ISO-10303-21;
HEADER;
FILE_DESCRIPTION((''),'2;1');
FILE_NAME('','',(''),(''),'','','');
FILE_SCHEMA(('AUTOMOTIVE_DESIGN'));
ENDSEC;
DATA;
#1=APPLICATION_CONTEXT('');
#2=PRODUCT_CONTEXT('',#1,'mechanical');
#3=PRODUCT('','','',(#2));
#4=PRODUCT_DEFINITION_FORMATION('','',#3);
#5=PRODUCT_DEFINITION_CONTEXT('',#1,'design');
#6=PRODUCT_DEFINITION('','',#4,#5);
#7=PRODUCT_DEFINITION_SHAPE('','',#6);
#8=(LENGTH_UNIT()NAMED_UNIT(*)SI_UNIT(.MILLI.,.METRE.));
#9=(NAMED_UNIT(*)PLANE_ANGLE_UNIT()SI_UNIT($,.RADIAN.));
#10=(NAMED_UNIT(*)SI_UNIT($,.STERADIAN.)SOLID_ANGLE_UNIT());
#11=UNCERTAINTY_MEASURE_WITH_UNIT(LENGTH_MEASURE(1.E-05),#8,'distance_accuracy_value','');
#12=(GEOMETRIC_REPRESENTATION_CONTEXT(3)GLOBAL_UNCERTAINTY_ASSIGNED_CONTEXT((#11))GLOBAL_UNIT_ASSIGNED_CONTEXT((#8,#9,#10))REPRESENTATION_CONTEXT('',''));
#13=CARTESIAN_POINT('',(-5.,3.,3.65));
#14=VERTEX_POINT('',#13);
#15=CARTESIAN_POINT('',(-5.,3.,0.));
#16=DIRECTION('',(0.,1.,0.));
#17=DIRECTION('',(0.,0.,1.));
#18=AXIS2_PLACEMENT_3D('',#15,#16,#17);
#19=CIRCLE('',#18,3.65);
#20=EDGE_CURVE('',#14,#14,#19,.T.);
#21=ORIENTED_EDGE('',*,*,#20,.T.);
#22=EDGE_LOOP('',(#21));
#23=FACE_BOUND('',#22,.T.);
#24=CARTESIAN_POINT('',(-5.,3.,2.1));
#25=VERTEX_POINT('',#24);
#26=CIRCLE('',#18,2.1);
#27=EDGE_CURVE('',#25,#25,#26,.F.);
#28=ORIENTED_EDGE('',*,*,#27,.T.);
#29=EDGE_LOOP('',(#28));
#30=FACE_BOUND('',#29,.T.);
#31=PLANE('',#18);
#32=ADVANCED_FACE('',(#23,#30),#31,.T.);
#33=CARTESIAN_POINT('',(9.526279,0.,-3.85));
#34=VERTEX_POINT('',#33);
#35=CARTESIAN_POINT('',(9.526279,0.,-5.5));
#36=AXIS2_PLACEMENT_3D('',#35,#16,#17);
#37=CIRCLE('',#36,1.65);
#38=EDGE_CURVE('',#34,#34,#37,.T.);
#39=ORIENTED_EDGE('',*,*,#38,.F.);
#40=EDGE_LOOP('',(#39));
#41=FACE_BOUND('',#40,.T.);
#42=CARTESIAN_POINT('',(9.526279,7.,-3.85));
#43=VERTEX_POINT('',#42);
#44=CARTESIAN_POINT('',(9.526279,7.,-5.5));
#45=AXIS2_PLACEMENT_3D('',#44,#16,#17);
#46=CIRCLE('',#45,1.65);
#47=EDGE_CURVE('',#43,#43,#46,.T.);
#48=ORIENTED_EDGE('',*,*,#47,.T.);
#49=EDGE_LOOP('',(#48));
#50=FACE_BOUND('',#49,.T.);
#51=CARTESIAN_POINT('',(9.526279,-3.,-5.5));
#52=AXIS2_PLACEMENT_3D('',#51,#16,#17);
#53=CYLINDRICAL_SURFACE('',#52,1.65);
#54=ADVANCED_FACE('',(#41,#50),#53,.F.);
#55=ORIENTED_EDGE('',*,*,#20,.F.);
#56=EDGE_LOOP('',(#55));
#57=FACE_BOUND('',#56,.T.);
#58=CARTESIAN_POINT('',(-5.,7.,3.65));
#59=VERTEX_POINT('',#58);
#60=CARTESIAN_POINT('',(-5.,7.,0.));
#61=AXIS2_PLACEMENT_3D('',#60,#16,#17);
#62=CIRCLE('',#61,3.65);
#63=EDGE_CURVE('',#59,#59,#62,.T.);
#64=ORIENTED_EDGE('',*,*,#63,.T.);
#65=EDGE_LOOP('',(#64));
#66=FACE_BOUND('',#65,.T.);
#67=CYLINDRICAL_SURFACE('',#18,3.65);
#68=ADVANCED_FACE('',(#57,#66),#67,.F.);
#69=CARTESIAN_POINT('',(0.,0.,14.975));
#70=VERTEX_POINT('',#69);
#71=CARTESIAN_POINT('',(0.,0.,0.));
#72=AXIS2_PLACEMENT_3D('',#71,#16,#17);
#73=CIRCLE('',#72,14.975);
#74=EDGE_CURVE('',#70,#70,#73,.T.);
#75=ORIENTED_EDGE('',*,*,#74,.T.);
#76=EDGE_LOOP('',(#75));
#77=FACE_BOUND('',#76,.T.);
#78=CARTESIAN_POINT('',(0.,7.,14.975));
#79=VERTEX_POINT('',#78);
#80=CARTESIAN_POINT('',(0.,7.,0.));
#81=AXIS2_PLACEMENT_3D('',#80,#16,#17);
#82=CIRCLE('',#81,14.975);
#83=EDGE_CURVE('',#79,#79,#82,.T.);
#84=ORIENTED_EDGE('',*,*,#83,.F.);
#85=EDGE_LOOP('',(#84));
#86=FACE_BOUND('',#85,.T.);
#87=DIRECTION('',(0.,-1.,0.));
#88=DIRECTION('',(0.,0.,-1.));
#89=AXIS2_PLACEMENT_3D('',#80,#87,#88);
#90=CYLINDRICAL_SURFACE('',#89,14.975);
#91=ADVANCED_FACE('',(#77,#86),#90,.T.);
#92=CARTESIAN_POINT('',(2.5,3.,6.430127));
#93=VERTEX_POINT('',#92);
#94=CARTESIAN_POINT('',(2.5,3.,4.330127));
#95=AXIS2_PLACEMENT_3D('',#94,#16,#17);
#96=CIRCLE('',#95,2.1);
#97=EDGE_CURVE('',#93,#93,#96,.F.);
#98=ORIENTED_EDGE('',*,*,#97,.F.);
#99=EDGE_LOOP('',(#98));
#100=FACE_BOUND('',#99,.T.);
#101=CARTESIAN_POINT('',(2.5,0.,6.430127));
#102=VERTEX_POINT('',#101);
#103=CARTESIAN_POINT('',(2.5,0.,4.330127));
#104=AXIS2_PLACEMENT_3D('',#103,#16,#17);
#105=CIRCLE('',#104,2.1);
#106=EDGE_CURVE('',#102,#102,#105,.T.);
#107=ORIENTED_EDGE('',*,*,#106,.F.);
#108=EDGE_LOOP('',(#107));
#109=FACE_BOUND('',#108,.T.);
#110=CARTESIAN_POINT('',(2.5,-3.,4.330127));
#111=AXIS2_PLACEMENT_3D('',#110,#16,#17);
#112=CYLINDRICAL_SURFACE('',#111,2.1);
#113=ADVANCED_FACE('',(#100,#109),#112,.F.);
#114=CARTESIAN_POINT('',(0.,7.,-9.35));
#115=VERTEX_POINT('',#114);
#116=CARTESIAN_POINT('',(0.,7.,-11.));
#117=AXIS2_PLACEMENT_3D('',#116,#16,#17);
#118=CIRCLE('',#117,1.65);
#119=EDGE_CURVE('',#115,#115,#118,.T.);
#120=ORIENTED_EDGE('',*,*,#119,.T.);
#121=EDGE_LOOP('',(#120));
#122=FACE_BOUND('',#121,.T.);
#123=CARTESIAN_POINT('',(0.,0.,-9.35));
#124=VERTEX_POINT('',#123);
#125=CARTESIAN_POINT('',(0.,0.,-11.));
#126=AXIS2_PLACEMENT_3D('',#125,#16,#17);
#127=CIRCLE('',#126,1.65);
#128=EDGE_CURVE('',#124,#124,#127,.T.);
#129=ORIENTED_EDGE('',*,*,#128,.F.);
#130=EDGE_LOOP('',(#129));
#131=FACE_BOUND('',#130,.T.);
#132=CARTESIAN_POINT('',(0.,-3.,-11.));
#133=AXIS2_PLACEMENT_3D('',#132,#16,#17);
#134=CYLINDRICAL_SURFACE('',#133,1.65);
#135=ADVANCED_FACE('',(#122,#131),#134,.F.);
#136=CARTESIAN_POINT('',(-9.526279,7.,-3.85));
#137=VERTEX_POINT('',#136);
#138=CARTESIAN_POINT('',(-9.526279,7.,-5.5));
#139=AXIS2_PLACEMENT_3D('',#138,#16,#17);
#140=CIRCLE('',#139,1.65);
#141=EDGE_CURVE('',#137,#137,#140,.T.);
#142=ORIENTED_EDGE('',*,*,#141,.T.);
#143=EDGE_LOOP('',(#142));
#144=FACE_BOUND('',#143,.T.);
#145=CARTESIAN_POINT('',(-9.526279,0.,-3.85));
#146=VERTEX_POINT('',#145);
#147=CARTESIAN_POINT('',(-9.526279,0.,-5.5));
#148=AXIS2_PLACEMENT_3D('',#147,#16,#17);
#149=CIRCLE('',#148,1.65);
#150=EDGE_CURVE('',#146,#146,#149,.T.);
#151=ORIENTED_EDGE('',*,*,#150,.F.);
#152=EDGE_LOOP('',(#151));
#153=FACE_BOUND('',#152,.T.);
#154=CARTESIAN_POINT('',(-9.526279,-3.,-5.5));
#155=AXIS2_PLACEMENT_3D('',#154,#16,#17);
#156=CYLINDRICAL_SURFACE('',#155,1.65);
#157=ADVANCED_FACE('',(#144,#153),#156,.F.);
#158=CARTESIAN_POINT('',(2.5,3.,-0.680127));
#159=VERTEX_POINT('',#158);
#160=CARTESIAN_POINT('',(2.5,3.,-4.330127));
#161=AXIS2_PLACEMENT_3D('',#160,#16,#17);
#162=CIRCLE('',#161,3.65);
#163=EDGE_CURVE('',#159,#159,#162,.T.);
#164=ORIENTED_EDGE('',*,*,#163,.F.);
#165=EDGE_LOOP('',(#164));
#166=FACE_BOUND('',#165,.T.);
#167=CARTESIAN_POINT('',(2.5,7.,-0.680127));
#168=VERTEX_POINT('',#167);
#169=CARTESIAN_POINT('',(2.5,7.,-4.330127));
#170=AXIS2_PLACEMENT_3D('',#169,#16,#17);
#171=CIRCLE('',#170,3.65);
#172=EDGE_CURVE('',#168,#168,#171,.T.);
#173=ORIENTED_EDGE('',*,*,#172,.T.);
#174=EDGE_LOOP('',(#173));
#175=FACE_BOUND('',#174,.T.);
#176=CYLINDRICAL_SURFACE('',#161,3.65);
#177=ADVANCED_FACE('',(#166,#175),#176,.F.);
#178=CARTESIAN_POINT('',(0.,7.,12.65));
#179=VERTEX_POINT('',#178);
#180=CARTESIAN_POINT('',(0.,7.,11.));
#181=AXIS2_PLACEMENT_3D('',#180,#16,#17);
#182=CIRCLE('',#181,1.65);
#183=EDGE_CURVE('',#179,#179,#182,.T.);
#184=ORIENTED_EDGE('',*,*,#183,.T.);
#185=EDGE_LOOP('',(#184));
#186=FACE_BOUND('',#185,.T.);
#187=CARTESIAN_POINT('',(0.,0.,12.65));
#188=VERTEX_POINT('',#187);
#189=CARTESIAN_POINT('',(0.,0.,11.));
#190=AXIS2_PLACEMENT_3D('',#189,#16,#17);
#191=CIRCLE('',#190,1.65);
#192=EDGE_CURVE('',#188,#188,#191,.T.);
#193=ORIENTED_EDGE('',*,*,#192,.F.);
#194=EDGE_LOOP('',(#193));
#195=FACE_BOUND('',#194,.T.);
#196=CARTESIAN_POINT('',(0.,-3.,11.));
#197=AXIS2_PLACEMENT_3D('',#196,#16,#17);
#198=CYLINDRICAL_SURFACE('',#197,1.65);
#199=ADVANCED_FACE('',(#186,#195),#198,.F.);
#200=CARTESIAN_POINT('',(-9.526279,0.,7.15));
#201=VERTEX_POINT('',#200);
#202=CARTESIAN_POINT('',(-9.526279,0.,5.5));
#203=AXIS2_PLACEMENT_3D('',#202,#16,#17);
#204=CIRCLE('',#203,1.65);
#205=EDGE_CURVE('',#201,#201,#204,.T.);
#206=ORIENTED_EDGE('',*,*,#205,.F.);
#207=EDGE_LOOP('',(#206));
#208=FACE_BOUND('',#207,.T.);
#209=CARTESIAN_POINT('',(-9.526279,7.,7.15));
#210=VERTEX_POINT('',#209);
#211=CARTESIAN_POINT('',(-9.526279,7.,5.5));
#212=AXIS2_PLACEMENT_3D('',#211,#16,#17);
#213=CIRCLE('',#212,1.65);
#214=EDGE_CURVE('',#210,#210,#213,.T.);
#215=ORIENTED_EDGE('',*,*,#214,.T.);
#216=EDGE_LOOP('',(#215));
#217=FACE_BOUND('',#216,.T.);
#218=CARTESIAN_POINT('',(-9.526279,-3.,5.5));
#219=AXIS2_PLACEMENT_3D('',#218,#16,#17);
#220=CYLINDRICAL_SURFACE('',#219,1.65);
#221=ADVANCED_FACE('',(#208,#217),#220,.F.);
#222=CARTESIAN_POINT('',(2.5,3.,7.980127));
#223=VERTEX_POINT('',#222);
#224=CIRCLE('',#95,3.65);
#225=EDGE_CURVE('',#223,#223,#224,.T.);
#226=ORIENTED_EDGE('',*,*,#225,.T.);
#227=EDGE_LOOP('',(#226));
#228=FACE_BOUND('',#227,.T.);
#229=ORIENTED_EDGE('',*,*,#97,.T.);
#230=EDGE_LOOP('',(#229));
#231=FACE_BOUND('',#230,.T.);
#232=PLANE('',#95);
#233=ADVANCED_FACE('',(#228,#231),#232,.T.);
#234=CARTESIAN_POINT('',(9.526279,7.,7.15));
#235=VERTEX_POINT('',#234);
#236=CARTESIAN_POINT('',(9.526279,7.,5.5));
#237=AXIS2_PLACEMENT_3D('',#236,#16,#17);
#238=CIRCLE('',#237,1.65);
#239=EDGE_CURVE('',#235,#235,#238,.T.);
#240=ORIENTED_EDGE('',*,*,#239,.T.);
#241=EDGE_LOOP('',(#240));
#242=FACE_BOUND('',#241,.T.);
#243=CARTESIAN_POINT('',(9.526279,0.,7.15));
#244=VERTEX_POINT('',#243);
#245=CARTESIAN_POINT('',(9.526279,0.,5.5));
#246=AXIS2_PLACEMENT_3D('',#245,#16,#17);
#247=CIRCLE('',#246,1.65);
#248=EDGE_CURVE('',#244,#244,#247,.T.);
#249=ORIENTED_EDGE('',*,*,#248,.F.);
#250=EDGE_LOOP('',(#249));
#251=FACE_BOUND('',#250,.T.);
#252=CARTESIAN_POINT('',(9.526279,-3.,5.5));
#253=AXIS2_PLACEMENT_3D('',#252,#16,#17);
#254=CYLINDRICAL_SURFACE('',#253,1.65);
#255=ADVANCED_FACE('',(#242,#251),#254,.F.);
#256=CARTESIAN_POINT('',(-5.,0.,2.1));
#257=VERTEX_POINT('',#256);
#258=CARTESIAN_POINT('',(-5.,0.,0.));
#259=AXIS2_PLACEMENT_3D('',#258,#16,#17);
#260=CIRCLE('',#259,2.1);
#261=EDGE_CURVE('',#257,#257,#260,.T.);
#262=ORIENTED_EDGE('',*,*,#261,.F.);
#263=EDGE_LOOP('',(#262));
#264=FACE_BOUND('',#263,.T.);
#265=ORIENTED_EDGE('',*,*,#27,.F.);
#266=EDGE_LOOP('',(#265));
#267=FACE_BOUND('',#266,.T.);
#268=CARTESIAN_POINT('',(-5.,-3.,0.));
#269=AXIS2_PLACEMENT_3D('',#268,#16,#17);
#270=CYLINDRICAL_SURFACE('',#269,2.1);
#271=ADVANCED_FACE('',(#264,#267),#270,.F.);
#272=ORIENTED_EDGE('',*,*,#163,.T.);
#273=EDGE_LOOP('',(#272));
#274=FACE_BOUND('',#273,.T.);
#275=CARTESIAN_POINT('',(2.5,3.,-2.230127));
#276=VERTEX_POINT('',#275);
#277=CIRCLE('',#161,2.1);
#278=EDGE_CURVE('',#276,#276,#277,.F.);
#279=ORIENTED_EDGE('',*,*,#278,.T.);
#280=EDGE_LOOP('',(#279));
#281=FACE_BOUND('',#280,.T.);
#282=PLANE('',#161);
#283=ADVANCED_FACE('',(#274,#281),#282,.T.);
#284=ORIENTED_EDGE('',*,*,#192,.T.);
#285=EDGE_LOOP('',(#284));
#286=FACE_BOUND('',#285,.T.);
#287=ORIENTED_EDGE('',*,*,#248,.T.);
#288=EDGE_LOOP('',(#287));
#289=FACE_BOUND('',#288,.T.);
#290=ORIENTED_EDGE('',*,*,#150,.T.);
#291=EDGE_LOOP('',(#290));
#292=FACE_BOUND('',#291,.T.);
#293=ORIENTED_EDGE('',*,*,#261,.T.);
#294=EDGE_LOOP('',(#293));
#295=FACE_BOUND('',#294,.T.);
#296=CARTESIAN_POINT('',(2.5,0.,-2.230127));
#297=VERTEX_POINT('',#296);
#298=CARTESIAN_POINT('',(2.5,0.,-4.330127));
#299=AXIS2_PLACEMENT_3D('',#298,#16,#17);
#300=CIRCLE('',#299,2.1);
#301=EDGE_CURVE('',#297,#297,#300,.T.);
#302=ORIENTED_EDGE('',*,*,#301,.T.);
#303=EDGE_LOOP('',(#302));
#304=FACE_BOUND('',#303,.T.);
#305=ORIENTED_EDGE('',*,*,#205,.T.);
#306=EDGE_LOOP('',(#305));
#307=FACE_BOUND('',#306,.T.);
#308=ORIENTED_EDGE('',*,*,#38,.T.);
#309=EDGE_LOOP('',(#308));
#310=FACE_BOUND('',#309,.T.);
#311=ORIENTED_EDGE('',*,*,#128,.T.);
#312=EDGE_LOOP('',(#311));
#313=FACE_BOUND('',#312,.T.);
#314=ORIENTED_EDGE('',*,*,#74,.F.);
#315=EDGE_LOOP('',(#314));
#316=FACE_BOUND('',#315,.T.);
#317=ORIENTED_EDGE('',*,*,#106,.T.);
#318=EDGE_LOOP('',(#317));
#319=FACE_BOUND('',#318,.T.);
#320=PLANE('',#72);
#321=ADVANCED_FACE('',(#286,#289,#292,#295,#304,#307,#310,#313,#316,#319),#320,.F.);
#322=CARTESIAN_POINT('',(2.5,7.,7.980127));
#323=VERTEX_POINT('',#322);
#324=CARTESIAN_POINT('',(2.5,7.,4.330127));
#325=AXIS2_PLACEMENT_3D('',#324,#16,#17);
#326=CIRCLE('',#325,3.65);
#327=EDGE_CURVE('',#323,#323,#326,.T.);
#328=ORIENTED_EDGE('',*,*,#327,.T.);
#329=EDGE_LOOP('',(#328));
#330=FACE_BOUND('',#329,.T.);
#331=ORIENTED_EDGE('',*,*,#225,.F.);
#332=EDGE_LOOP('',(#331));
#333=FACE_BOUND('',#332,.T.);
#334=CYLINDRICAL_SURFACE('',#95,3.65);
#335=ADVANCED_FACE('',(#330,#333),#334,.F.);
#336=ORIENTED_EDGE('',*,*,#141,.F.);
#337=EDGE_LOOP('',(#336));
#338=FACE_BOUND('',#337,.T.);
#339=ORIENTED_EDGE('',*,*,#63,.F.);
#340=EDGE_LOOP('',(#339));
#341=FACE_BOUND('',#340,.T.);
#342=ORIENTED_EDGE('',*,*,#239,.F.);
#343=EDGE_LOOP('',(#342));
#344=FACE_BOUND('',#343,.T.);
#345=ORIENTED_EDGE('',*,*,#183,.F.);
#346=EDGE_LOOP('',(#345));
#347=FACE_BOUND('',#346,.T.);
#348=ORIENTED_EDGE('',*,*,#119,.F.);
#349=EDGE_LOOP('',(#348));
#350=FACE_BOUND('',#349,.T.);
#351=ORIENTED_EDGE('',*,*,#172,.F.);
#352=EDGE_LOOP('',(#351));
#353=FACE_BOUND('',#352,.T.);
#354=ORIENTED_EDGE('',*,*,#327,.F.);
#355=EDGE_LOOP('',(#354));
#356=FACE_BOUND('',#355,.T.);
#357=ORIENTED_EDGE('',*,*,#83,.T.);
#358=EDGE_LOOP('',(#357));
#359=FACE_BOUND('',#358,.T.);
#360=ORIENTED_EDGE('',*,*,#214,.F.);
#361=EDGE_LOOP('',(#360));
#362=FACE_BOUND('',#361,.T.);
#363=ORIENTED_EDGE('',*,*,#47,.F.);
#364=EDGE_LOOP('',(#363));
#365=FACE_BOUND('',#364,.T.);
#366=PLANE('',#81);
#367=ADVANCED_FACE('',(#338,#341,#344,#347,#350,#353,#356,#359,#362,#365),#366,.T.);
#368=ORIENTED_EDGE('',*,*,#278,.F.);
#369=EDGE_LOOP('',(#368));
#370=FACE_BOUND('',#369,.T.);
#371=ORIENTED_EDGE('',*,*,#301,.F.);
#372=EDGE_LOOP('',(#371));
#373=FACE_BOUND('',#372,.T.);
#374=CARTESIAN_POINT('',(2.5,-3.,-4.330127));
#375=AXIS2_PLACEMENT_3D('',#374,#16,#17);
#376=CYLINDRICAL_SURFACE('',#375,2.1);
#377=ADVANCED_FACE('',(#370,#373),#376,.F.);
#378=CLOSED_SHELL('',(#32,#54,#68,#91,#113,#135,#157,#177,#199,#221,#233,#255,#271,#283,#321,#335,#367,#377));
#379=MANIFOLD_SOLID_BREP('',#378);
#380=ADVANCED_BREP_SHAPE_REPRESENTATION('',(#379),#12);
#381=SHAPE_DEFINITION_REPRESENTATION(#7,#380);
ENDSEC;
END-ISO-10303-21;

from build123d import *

# Parameters (mm, degrees)
SKETCH_1_R          = 14.975
EXTRUDE_1_DEPTH     = 7
SKETCH_2_R          = 2.1
CUT_EXTRUDE_1_DEPTH = 10
SKETCH_3_R          = 1.65
CUT_EXTRUDE_2_DEPTH = 10
SKETCH_5_R          = 3.65
CUT_EXTRUDE_3_DEPTH = 4


with BuildPart() as part:
    # 草图1 → 凸台-拉伸1 (new body)
    with BuildSketch(Plane(origin=(0, 0, 0), x_dir=(1, 0, 0), z_dir=(0, 1, 0))):
        with Locations(Location((0, 0, 0), (0, 0, 270))):
            Circle(SKETCH_1_R)
    extrude(amount=EXTRUDE_1_DEPTH)

    # 草图2 → 切除-拉伸1 (cut)
    with BuildSketch(Plane(origin=(0, 7, 0), x_dir=(1, 0, 0), z_dir=(0, 1, 0))):
        with Locations(Location((-5, 0, 0), (0, 0, 270))):
            Circle(SKETCH_2_R)
        with Locations(Location((2.5, 4.330127019, 0), (0, 0, 270))):
            Circle(SKETCH_2_R)
        with Locations(Location((2.5, -4.330127019, 0), (0, 0, 270))):
            Circle(SKETCH_2_R)
    extrude(amount=-CUT_EXTRUDE_1_DEPTH, mode=Mode.SUBTRACT)

    # 草图3 → 切除-拉伸2 (cut)
    with BuildSketch(Plane(origin=(0, 7, 0), x_dir=(1, 0, 0), z_dir=(0, 1, 0))):
        with Locations(Location((0, 11, 0), (0, 0, 270))):
            Circle(SKETCH_3_R)
        with Locations(Location((9.526279442, 5.5, 0), (0, 0, 270))):
            Circle(SKETCH_3_R)
        with Locations(Location((9.526279442, -5.5, 0), (0, 0, 270))):
            Circle(SKETCH_3_R)
        with Locations(Location((0, -11, 0), (0, 0, 270))):
            Circle(SKETCH_3_R)
        with Locations(Location((-9.526279442, -5.5, 0), (0, 0, 270))):
            Circle(SKETCH_3_R)
        with Locations(Location((-9.526279442, 5.5, 0), (0, 0, 270))):
            Circle(SKETCH_3_R)
    extrude(amount=-CUT_EXTRUDE_2_DEPTH, mode=Mode.SUBTRACT)

    # 草图5 → 切除-拉伸3 (cut)
    with BuildSketch(Plane(origin=(0, 7, 0), x_dir=(1, 0, 0), z_dir=(0, 1, 0))):
        with Locations(Location((-5, 0, 0), (0, 0, 270))):
            Circle(SKETCH_5_R)
        with Locations(Location((2.5, 4.330127019, 0), (0, 0, 270))):
            Circle(SKETCH_5_R)
        with Locations(Location((2.5, -4.330127019, 0), (0, 0, 270))):
            Circle(SKETCH_5_R)
    extrude(amount=-CUT_EXTRUDE_3_DEPTH, mode=Mode.SUBTRACT)


solid = part.part
